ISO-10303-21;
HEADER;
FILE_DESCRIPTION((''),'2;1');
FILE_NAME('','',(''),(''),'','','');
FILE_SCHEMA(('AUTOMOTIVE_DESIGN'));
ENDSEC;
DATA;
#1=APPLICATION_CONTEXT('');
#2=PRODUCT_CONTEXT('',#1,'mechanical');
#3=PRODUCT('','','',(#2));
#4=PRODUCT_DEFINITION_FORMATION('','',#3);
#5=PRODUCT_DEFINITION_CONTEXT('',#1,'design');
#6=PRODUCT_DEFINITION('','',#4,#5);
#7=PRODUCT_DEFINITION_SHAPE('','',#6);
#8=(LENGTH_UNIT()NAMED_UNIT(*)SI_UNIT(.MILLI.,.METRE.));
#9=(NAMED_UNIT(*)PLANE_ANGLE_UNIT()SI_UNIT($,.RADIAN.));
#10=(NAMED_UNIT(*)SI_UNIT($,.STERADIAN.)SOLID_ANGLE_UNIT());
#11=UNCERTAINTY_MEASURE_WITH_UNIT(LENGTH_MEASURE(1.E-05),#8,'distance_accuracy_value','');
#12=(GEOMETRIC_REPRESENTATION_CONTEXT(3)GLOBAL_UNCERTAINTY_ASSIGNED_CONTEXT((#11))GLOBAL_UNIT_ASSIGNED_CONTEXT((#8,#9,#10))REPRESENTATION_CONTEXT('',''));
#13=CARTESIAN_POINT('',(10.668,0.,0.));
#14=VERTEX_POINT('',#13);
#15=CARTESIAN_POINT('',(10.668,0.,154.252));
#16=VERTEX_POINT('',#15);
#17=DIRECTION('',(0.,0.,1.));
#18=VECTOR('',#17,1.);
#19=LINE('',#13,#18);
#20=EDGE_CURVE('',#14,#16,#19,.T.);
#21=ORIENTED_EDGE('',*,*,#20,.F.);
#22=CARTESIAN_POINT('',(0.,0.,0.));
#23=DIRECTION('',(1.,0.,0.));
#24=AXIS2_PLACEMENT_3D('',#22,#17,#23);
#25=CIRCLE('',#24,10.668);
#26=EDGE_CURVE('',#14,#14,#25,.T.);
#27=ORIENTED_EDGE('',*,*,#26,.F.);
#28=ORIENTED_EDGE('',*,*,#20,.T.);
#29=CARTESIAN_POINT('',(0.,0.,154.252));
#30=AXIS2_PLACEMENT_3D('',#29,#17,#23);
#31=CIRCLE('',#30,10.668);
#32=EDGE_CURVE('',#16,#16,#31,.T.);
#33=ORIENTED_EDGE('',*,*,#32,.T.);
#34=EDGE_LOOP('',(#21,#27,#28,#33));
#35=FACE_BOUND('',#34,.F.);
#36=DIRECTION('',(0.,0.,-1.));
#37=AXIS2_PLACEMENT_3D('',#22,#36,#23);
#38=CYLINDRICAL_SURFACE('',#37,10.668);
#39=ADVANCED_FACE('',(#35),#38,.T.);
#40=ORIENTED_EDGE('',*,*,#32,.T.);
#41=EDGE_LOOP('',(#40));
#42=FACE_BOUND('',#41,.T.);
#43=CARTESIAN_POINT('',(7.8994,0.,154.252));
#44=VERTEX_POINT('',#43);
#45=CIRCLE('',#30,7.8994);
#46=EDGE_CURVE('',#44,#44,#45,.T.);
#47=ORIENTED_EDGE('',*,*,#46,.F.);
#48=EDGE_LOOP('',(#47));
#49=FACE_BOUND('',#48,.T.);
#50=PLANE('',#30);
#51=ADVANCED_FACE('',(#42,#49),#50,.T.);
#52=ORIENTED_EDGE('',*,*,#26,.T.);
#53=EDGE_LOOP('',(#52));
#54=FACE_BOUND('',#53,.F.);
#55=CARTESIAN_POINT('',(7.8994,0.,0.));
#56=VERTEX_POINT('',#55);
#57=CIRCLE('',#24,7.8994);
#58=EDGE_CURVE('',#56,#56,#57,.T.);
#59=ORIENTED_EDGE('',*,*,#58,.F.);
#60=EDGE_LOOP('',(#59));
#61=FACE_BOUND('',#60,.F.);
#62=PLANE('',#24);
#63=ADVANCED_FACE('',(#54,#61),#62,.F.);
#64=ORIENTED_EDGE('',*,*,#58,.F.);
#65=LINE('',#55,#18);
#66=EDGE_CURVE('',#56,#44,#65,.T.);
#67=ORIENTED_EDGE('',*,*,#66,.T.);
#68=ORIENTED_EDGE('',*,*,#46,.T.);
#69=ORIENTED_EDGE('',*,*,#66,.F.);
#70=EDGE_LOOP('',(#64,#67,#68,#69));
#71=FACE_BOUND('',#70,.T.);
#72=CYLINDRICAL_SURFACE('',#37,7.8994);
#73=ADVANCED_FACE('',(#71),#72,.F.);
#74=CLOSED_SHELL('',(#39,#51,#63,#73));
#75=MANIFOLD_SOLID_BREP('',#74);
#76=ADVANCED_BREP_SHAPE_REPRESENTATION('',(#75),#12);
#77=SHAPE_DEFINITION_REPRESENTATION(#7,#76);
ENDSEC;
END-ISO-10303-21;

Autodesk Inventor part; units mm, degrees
ref_plane "YZ Plane" through (0, 0, 0) normal (1, 0, 0) x (0, 1, 0)
ref_plane "Start Plane" through (0, 0, 0) normal (0, 0, 1) x (1, 0, 0)
ref_plane "End Plane" through (0, 0, 154.252) normal (0, 0, 1) x (1, 0, 0)
sketch "Sketch" plane through (0, 0, 0) normal (0, 0, 1) x (1, 0, 0)
  circle A0 centre (0, 0) radius 7.8994
  circle A1 centre (0, 0) radius 10.668
  dimension "d0" = 21.336
  dimension "d1" = 2.7686
extrude "Body" add sketch "Sketch" along normal up to surface (154.252 mm away) from surface at 0
sketch "Sketch3" plane through (0, 0, 0) normal (0, 0, 1) x (1, 0, 0)
  line L0 (0, 0) -> (10, 0)
ref_plane "Work Plane3" through (0, 0, 0) normal (0, -1, 0) x (1, 0, 0)
sketch "Sketch4" plane through (0, 0, 0) normal (0, -1, 0) x (1, 0, 0)
  line L0 (-2, 0) -> (12, 0) projected
  line L1 (-2, 154.252) -> (12, 154.252) projected
  dimension "d7" = 154.252
equation "\"d0\" = G_H"
equation "\"d1\" = G_T"
equation "\"d2\" = G_L"
equation "\"G_H\" = 21.336"
equation "\"G_T\" = 2.7686"
equation "\"G_L\" = d7"
equation "\"G_OFFSET_START\" = 0"
equation "\"G_OFFSET_END\" = 0"
equation "\"d5\" = G_OFFSET_END + B_L"
equation "\"B_L\" = 154.25199"
properties part number "ANSI - 1/2 x 0.109 - 6.073" material "Steel, Mild"
